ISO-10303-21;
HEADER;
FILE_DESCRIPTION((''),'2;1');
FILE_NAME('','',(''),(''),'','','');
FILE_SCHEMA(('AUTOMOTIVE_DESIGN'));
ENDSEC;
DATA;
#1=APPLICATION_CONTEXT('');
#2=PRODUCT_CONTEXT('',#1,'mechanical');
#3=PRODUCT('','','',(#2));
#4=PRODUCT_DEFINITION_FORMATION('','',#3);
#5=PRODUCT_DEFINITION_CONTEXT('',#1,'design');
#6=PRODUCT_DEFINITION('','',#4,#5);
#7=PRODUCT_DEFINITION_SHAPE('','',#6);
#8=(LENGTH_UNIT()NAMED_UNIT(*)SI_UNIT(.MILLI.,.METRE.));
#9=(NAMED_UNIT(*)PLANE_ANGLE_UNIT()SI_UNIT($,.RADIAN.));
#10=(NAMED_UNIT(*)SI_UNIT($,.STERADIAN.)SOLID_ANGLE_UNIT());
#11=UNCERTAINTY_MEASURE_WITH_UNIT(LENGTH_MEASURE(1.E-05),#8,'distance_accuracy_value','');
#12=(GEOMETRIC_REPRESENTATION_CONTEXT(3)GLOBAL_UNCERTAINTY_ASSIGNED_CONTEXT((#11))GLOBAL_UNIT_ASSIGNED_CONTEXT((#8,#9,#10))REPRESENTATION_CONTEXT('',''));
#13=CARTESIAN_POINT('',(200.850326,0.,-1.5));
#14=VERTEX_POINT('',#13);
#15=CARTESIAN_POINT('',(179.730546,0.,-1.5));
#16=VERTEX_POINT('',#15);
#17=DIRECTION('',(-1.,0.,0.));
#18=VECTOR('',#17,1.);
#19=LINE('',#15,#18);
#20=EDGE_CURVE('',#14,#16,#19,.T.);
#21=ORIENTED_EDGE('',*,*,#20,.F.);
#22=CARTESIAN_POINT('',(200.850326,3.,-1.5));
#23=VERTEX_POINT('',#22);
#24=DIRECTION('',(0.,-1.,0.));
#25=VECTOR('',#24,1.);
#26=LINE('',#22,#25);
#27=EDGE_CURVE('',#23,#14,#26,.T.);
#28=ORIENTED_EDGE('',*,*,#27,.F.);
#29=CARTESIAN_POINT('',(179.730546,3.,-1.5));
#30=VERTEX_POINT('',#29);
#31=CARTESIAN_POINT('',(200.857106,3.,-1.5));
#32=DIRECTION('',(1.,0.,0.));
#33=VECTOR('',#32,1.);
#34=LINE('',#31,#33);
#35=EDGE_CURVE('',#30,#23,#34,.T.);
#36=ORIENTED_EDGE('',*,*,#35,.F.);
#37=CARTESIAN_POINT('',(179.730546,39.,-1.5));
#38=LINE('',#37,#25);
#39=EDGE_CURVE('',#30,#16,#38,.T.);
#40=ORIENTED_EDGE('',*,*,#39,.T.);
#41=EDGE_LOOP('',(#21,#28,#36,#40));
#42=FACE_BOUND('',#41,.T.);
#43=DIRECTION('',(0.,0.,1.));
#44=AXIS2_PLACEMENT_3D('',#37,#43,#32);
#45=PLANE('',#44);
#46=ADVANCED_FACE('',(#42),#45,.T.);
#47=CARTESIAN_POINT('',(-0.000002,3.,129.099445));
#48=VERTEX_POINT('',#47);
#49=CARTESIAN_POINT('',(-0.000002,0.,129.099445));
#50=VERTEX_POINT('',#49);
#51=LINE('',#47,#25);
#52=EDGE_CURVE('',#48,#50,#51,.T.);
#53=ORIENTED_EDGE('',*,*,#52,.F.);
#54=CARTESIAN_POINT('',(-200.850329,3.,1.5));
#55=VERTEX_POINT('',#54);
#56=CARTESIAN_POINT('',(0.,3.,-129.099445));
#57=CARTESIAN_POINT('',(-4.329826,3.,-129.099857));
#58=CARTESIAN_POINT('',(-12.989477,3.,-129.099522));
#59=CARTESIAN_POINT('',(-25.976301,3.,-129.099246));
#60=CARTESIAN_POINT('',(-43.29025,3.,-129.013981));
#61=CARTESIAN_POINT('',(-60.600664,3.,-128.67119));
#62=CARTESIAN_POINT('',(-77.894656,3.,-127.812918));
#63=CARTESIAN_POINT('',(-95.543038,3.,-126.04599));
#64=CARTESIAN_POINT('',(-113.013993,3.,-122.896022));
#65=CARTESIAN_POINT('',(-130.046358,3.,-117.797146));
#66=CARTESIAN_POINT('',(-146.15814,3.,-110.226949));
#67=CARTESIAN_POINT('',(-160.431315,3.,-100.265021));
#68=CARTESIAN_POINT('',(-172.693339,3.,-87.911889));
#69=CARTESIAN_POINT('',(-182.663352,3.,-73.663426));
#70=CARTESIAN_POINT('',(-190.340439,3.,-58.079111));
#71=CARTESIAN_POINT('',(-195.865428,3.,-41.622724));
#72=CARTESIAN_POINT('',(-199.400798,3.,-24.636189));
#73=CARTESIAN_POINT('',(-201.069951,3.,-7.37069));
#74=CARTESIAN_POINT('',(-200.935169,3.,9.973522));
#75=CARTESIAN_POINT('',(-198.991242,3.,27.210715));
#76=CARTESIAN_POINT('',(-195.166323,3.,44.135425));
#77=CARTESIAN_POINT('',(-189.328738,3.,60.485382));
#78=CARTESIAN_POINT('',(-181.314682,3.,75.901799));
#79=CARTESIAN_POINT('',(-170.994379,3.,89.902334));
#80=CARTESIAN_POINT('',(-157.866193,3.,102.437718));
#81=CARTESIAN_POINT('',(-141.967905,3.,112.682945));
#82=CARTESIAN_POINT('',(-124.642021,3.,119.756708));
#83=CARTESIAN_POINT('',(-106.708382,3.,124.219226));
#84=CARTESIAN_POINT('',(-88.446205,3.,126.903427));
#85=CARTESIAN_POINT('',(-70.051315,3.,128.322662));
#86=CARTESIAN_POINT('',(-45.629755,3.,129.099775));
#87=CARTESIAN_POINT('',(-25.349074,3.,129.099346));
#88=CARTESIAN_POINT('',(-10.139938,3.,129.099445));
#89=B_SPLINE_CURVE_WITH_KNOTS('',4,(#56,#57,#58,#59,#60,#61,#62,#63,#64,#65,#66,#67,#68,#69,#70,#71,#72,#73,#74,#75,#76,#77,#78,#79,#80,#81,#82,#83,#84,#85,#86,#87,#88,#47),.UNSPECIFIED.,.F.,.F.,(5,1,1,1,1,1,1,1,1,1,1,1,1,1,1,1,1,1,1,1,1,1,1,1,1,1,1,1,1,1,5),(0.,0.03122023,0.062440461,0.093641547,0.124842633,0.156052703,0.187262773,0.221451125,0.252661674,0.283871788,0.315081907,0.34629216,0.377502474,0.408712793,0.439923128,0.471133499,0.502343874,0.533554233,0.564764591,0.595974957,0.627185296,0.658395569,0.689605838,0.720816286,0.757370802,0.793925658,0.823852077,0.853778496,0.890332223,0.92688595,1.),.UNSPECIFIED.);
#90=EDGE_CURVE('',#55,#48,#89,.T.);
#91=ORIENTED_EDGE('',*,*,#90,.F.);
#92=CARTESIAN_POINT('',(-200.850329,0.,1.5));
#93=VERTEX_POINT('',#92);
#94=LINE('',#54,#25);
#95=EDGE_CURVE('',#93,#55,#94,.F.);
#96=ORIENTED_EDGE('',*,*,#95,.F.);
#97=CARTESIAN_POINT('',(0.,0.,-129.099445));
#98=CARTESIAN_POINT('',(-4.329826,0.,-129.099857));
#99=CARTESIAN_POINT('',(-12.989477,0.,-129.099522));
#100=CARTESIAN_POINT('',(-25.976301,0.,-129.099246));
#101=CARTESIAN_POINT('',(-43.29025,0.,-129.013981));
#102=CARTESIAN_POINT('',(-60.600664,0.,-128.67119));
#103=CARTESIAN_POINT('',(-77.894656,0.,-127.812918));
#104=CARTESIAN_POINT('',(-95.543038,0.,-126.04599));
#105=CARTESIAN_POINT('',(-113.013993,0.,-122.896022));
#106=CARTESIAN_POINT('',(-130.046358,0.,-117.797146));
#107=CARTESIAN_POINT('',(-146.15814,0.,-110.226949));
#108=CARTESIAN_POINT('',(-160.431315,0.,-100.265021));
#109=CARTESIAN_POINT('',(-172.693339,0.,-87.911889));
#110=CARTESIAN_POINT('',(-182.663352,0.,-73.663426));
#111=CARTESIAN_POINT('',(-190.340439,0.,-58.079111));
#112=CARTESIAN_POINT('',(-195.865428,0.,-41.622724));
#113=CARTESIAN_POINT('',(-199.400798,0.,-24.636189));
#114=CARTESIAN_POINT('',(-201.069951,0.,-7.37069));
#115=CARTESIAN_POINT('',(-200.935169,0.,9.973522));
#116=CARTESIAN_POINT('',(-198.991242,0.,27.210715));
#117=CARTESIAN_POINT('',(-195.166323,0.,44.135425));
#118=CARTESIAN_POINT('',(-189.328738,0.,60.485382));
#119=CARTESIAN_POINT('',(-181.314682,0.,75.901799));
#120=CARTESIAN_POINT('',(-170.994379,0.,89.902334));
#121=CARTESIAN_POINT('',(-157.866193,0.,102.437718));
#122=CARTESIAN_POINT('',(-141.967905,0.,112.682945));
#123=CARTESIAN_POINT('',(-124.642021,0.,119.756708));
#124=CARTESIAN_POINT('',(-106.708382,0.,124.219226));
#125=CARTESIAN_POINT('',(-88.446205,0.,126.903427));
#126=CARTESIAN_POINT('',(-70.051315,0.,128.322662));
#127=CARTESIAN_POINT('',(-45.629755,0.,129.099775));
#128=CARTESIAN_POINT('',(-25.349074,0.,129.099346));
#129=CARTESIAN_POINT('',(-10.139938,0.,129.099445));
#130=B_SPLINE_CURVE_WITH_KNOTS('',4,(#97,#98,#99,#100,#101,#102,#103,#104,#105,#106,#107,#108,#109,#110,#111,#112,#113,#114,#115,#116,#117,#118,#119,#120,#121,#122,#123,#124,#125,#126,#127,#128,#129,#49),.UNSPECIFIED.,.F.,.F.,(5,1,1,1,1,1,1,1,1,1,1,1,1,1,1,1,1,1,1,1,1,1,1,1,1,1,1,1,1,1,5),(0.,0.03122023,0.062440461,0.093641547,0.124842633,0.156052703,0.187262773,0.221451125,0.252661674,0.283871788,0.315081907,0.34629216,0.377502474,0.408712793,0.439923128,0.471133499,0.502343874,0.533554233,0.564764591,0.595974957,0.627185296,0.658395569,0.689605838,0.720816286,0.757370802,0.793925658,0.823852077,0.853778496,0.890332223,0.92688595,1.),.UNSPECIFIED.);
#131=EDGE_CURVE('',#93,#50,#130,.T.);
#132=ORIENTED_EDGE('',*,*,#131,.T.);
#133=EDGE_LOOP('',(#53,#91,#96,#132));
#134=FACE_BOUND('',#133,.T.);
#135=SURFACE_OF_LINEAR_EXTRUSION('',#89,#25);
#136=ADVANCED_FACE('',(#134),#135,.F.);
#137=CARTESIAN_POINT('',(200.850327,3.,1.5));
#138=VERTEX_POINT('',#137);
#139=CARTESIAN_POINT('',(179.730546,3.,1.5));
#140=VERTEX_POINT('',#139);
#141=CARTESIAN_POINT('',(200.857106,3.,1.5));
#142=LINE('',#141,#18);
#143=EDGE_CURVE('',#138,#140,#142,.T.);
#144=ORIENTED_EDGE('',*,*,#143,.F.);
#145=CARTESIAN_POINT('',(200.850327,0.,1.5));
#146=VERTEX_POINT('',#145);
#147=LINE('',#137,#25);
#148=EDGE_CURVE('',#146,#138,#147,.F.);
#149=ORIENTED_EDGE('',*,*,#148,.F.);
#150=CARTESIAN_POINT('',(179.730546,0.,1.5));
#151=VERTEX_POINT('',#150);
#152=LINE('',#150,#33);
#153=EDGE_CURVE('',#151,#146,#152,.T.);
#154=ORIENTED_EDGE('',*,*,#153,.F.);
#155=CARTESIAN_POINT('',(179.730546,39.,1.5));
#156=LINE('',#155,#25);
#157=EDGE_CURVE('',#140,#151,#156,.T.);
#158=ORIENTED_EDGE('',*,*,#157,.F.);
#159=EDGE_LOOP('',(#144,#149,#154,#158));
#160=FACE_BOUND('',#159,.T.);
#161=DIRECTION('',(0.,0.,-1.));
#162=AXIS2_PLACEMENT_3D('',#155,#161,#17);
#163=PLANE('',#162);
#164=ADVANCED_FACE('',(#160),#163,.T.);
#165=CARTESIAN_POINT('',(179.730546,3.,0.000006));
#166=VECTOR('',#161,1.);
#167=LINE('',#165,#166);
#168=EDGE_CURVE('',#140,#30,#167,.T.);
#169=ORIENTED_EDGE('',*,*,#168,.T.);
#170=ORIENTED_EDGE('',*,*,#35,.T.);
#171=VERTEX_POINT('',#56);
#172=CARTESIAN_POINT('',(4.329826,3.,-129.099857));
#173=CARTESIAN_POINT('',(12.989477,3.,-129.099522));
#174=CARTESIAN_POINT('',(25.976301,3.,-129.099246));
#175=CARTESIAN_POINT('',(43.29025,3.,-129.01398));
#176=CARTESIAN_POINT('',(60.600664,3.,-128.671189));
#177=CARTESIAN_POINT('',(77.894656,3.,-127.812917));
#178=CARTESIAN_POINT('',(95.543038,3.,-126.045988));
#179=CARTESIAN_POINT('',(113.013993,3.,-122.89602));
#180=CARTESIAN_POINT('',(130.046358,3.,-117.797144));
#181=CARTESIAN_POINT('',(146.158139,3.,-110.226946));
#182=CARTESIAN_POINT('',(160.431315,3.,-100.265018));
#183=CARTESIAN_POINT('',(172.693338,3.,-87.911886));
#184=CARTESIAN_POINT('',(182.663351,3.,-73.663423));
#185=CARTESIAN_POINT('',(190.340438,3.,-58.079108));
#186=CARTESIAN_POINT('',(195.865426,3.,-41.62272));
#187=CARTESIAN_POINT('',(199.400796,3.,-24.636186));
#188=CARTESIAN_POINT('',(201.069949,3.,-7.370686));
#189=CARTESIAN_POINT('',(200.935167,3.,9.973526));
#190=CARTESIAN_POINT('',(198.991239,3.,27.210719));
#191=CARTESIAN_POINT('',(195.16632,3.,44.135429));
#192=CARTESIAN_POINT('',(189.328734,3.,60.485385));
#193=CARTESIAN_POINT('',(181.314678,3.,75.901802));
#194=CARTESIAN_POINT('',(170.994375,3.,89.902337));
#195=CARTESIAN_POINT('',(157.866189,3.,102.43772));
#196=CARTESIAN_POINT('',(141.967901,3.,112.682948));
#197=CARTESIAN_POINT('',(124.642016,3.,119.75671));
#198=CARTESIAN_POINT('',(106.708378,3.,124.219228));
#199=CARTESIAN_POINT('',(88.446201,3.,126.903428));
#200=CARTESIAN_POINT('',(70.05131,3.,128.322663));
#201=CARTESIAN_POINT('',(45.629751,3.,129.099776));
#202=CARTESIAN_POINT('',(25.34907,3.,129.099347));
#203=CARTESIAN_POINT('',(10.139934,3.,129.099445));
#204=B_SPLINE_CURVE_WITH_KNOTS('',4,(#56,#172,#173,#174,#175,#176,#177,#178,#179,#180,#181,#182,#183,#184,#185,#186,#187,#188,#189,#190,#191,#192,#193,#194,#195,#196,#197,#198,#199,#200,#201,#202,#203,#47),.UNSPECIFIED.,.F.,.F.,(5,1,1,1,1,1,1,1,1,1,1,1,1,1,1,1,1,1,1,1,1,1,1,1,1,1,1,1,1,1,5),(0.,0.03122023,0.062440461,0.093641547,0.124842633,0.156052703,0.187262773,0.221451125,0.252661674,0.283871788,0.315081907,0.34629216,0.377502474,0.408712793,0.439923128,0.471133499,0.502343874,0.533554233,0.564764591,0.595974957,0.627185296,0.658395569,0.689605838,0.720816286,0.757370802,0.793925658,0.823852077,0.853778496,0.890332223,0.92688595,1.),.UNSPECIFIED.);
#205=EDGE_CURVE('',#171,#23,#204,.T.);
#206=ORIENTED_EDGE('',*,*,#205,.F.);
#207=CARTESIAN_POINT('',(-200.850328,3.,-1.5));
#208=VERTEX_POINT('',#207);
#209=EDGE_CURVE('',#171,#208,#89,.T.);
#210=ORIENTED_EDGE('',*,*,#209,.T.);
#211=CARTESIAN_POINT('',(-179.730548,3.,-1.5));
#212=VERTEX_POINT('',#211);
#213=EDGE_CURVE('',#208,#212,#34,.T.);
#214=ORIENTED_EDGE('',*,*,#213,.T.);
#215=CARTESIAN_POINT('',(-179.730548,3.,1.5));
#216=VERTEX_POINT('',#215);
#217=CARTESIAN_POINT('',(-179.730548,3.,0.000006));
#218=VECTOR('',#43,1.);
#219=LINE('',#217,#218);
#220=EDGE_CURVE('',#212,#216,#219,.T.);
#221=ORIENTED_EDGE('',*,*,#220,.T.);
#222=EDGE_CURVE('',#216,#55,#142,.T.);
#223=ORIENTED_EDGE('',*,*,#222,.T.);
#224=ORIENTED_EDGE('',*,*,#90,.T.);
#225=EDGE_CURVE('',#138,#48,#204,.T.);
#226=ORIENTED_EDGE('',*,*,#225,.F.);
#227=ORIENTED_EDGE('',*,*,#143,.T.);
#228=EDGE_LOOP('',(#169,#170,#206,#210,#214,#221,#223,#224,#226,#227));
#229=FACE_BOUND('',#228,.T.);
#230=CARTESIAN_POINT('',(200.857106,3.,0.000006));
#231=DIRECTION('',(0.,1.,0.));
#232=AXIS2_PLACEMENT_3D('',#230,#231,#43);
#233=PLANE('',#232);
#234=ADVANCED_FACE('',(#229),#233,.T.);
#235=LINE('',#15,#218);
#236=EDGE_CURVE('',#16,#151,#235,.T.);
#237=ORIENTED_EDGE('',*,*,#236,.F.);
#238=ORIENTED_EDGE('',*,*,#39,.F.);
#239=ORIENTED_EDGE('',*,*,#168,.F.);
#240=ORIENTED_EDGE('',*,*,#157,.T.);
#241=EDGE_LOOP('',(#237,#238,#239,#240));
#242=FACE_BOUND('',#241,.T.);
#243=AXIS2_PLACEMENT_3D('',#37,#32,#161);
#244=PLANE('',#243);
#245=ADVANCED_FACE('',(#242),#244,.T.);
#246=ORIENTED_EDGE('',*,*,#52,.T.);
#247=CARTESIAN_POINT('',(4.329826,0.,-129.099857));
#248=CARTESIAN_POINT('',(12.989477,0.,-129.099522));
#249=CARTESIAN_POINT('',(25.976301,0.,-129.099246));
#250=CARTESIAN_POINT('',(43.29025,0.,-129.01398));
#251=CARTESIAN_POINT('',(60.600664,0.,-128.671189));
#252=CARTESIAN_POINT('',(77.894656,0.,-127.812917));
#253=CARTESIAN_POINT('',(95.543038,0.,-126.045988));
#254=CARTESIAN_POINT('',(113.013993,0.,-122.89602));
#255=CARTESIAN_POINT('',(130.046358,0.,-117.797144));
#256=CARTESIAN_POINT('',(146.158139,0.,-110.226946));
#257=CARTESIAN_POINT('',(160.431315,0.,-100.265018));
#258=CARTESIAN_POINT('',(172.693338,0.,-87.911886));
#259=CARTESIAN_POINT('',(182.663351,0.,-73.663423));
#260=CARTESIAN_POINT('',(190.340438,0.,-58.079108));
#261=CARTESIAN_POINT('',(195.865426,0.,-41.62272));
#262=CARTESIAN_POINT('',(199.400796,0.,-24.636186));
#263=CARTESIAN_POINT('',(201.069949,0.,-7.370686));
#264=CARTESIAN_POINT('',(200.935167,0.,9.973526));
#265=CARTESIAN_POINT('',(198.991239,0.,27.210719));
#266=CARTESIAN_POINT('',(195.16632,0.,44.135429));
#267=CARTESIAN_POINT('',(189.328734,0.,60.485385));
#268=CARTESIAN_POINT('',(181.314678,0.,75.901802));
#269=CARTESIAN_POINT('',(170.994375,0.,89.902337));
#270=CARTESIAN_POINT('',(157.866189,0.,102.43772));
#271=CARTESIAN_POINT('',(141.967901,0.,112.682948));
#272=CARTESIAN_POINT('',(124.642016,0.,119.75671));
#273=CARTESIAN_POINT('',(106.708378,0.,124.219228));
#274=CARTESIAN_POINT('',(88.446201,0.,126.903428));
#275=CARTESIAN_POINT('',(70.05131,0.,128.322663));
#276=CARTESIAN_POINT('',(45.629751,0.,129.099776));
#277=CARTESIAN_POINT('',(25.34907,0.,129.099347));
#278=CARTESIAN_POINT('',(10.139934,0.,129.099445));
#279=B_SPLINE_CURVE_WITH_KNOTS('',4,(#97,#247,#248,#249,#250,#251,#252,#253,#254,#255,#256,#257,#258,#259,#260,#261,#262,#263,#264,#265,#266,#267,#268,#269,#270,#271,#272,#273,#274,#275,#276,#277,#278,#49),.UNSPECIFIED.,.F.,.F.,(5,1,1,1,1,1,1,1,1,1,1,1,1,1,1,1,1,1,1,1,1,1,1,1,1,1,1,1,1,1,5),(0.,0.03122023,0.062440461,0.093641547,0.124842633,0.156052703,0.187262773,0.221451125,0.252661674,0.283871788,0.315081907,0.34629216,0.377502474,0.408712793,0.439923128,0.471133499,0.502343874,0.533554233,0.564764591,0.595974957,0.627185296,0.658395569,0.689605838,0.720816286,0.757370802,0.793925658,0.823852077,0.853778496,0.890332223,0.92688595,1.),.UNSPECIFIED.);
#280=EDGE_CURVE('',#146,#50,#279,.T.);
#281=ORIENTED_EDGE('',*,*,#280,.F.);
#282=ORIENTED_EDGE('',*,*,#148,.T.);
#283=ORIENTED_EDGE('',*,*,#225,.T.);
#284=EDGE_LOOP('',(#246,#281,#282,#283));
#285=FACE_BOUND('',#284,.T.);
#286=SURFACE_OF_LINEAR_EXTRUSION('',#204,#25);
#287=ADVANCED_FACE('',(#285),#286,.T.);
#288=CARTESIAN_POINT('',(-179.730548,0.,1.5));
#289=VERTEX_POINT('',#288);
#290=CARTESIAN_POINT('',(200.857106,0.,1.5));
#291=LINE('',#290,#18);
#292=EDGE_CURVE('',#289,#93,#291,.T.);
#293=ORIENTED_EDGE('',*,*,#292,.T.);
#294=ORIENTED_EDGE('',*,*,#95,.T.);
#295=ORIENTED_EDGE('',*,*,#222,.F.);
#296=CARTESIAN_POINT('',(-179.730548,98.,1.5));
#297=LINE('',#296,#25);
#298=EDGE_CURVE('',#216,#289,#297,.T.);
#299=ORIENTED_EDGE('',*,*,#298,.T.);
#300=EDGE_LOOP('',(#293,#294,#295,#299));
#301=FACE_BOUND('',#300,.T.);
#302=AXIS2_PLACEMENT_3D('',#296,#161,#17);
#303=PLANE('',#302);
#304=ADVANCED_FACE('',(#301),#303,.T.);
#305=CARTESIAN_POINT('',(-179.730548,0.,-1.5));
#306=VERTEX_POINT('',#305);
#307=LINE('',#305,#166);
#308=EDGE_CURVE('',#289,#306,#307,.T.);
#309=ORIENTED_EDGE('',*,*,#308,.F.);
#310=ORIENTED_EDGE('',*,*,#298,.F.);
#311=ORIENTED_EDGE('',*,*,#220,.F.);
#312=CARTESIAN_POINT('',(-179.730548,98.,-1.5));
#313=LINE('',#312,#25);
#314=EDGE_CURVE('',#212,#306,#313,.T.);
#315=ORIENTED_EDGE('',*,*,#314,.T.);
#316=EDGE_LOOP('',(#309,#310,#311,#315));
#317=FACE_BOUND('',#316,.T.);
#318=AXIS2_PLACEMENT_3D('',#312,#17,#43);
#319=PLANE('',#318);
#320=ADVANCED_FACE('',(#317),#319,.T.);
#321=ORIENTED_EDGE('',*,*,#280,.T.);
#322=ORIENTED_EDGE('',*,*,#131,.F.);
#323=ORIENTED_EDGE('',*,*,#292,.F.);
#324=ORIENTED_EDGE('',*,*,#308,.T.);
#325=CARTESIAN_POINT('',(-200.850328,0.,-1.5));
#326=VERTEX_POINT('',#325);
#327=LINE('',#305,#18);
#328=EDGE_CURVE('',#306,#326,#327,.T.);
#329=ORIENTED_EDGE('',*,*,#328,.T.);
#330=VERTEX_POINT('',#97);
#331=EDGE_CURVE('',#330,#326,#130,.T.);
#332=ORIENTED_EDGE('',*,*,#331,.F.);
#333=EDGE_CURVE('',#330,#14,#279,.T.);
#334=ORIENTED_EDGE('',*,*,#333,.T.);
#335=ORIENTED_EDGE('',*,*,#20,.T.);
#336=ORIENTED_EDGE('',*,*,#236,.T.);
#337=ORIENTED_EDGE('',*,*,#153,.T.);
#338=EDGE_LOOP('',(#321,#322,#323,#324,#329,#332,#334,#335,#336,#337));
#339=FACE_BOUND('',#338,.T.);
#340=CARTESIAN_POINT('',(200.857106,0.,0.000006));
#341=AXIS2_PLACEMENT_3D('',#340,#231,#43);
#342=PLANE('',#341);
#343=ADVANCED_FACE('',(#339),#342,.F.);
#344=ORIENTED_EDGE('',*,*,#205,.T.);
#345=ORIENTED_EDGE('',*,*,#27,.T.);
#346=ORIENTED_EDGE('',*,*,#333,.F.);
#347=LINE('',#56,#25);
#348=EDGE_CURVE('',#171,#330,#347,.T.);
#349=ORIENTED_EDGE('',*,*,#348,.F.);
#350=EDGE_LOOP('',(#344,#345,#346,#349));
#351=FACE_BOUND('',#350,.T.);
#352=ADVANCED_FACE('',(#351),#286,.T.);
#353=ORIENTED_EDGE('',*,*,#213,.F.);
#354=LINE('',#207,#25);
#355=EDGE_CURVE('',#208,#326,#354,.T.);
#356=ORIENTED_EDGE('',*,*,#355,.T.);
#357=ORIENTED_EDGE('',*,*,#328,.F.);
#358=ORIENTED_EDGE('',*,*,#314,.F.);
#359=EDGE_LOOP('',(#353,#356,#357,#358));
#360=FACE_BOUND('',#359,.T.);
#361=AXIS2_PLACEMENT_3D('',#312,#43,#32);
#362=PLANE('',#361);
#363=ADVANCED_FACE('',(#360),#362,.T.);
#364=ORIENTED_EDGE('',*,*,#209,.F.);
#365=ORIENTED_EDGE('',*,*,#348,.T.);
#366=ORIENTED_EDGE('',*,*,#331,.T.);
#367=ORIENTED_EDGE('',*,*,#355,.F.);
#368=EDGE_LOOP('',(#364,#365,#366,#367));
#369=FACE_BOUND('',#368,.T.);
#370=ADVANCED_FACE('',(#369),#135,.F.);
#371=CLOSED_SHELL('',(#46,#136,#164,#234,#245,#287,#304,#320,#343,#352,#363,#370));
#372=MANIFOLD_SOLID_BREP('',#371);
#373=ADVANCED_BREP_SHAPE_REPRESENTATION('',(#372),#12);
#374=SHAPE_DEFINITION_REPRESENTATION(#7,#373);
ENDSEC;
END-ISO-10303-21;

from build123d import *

# Parameters (mm, degrees)
BOSS_EXTRUDE2_DEPTH = 3
SKETCH4_W           = 23.944295053
SKETCH4_H           = 3
CUT_EXTRUDE2_DEPTH  = 98
SKETCH5_W           = 27.333105753
SKETCH5_H           = 3
CUT_EXTRUDE3_DEPTH  = 39


with BuildPart() as part:
    # Sketch1 → Boss-Extrude2 (new body)
    with BuildSketch(Plane(origin=(0, 0, 0), x_dir=(1, 0, 0), z_dir=(0, 1, 0))):
        with BuildLine():
            add(Edge.make_bspline(
                [(0, 129.099444874), (4.329825716, 129.099856757), (12.989477034, 129.099521717), (25.976301205, 129.099245615), (43.290249676, 129.013980379), (60.600663959, 128.671189087), (77.894655735, 127.812916551), (95.543037977, 126.045988358), (113.01399335, 122.896019952), (130.046357946, 117.797143556), (146.158139311, 110.226946457), (160.431314667, 100.265018203), (172.693338202, 87.911885541), (182.663351285, 73.663423027), (190.340438043, 58.079107996), (195.865426103, 41.62272021), (199.400795759, 24.636185909), (201.069948812, 7.370686111), (200.935166589, -9.973525735), (198.991239132, -27.210718658), (195.166319776, -44.135428769), (189.328734448, -60.48538478), (181.314677982, -75.901802403), (170.994375318, -89.90233662), (157.866189481, -102.437720294), (141.967900724, -112.68294779), (124.642016349, -119.756709815), (106.708377896, -124.219228333), (88.446200884, -126.903428265), (70.051310284, -128.322663007), (45.62975056, -129.099776243), (25.349069661, -129.099346893), (10.139933531, -129.099445048), (-2.223e-06, -129.099444874)],
                knots=[0, 0, 0, 0, 0, 0.03122023, 0.062440461, 0.093641547, 0.124842633, 0.156052703, 0.187262773, 0.221451125, 0.252661674, 0.283871788, 0.315081907, 0.34629216, 0.377502474, 0.408712793, 0.439923128, 0.471133499, 0.502343874, 0.533554233, 0.564764591, 0.595974957, 0.627185296, 0.658395569, 0.689605838, 0.720816286, 0.757370802, 0.793925658, 0.823852077, 0.853778496, 0.890332223, 0.92688595, 1, 1, 1, 1, 1], degree=4))
            add(Edge.make_bspline(
                [(0, 129.099444874), (-4.329825716, 129.099856832), (-12.989477034, 129.099521941), (-25.976301205, 129.099246062), (-43.290249678, 129.013981124), (-60.600663967, 128.67119013), (-77.894655757, 127.812917893), (-95.543038029, 126.045990003), (-113.013993457, 122.896021898), (-130.04635814, 117.797145795), (-146.158139636, 110.226948973), (-160.431315164, 100.265020966), (-172.693338911, 87.911888514), (-182.663352239, 73.663426172), (-190.340439266, 58.079111273), (-195.865427609, 41.622723582), (-199.400797558, 24.636189342), (-201.069950908, 7.370689573), (-200.935168983, -9.973522276), (-198.991241823, -27.210715232), (-195.166322759, -44.135425409), (-189.328737713, -60.48538152), (-181.314681512, -75.901799281), (-170.994379089, -89.902333676), (-157.866193468, -102.437717576), (-141.967904887, -112.682945345), (-124.642020634, -119.756707669), (-106.708382258, -124.219226496), (-88.446205291, -126.903426743), (-70.051314717, -128.322661801), (-45.629755005, -129.099775457), (-25.349074106, -129.099346457), (-10.139937977, -129.099444874), (-2.223e-06, -129.099444874)],
                knots=[0, 0, 0, 0, 0, 0.03122023, 0.062440461, 0.093641547, 0.124842633, 0.156052703, 0.187262773, 0.221451125, 0.252661674, 0.283871788, 0.315081907, 0.34629216, 0.377502474, 0.408712793, 0.439923128, 0.471133499, 0.502343874, 0.533554233, 0.564764591, 0.595974957, 0.627185296, 0.658395569, 0.689605838, 0.720816286, 0.757370802, 0.793925658, 0.823852077, 0.853778496, 0.890332223, 0.92688595, 1, 1, 1, 1, 1], degree=4))
        make_face()
    extrude(amount=BOSS_EXTRUDE2_DEPTH)

    # Sketch4 → Cut-Extrude2 (cut)
    with BuildSketch(Plane(origin=(0, 0, 0), x_dir=(1, 0, 0), z_dir=(0, 1, 0))):
        with Locations((-191.702695575, 0)):
            Rectangle(SKETCH4_W, SKETCH4_H)
    extrude(amount=CUT_EXTRUDE2_DEPTH, mode=Mode.SUBTRACT)

    # Sketch5 → Cut-Extrude3 (cut)
    with BuildSketch(Plane(origin=(0, 0, 0), x_dir=(1, 0, 0), z_dir=(0, 1, 0))):
        with Locations((193.397098701, 0)):
            Rectangle(SKETCH5_W, SKETCH5_H)
    extrude(amount=CUT_EXTRUDE3_DEPTH, mode=Mode.SUBTRACT)


solid = part.part
